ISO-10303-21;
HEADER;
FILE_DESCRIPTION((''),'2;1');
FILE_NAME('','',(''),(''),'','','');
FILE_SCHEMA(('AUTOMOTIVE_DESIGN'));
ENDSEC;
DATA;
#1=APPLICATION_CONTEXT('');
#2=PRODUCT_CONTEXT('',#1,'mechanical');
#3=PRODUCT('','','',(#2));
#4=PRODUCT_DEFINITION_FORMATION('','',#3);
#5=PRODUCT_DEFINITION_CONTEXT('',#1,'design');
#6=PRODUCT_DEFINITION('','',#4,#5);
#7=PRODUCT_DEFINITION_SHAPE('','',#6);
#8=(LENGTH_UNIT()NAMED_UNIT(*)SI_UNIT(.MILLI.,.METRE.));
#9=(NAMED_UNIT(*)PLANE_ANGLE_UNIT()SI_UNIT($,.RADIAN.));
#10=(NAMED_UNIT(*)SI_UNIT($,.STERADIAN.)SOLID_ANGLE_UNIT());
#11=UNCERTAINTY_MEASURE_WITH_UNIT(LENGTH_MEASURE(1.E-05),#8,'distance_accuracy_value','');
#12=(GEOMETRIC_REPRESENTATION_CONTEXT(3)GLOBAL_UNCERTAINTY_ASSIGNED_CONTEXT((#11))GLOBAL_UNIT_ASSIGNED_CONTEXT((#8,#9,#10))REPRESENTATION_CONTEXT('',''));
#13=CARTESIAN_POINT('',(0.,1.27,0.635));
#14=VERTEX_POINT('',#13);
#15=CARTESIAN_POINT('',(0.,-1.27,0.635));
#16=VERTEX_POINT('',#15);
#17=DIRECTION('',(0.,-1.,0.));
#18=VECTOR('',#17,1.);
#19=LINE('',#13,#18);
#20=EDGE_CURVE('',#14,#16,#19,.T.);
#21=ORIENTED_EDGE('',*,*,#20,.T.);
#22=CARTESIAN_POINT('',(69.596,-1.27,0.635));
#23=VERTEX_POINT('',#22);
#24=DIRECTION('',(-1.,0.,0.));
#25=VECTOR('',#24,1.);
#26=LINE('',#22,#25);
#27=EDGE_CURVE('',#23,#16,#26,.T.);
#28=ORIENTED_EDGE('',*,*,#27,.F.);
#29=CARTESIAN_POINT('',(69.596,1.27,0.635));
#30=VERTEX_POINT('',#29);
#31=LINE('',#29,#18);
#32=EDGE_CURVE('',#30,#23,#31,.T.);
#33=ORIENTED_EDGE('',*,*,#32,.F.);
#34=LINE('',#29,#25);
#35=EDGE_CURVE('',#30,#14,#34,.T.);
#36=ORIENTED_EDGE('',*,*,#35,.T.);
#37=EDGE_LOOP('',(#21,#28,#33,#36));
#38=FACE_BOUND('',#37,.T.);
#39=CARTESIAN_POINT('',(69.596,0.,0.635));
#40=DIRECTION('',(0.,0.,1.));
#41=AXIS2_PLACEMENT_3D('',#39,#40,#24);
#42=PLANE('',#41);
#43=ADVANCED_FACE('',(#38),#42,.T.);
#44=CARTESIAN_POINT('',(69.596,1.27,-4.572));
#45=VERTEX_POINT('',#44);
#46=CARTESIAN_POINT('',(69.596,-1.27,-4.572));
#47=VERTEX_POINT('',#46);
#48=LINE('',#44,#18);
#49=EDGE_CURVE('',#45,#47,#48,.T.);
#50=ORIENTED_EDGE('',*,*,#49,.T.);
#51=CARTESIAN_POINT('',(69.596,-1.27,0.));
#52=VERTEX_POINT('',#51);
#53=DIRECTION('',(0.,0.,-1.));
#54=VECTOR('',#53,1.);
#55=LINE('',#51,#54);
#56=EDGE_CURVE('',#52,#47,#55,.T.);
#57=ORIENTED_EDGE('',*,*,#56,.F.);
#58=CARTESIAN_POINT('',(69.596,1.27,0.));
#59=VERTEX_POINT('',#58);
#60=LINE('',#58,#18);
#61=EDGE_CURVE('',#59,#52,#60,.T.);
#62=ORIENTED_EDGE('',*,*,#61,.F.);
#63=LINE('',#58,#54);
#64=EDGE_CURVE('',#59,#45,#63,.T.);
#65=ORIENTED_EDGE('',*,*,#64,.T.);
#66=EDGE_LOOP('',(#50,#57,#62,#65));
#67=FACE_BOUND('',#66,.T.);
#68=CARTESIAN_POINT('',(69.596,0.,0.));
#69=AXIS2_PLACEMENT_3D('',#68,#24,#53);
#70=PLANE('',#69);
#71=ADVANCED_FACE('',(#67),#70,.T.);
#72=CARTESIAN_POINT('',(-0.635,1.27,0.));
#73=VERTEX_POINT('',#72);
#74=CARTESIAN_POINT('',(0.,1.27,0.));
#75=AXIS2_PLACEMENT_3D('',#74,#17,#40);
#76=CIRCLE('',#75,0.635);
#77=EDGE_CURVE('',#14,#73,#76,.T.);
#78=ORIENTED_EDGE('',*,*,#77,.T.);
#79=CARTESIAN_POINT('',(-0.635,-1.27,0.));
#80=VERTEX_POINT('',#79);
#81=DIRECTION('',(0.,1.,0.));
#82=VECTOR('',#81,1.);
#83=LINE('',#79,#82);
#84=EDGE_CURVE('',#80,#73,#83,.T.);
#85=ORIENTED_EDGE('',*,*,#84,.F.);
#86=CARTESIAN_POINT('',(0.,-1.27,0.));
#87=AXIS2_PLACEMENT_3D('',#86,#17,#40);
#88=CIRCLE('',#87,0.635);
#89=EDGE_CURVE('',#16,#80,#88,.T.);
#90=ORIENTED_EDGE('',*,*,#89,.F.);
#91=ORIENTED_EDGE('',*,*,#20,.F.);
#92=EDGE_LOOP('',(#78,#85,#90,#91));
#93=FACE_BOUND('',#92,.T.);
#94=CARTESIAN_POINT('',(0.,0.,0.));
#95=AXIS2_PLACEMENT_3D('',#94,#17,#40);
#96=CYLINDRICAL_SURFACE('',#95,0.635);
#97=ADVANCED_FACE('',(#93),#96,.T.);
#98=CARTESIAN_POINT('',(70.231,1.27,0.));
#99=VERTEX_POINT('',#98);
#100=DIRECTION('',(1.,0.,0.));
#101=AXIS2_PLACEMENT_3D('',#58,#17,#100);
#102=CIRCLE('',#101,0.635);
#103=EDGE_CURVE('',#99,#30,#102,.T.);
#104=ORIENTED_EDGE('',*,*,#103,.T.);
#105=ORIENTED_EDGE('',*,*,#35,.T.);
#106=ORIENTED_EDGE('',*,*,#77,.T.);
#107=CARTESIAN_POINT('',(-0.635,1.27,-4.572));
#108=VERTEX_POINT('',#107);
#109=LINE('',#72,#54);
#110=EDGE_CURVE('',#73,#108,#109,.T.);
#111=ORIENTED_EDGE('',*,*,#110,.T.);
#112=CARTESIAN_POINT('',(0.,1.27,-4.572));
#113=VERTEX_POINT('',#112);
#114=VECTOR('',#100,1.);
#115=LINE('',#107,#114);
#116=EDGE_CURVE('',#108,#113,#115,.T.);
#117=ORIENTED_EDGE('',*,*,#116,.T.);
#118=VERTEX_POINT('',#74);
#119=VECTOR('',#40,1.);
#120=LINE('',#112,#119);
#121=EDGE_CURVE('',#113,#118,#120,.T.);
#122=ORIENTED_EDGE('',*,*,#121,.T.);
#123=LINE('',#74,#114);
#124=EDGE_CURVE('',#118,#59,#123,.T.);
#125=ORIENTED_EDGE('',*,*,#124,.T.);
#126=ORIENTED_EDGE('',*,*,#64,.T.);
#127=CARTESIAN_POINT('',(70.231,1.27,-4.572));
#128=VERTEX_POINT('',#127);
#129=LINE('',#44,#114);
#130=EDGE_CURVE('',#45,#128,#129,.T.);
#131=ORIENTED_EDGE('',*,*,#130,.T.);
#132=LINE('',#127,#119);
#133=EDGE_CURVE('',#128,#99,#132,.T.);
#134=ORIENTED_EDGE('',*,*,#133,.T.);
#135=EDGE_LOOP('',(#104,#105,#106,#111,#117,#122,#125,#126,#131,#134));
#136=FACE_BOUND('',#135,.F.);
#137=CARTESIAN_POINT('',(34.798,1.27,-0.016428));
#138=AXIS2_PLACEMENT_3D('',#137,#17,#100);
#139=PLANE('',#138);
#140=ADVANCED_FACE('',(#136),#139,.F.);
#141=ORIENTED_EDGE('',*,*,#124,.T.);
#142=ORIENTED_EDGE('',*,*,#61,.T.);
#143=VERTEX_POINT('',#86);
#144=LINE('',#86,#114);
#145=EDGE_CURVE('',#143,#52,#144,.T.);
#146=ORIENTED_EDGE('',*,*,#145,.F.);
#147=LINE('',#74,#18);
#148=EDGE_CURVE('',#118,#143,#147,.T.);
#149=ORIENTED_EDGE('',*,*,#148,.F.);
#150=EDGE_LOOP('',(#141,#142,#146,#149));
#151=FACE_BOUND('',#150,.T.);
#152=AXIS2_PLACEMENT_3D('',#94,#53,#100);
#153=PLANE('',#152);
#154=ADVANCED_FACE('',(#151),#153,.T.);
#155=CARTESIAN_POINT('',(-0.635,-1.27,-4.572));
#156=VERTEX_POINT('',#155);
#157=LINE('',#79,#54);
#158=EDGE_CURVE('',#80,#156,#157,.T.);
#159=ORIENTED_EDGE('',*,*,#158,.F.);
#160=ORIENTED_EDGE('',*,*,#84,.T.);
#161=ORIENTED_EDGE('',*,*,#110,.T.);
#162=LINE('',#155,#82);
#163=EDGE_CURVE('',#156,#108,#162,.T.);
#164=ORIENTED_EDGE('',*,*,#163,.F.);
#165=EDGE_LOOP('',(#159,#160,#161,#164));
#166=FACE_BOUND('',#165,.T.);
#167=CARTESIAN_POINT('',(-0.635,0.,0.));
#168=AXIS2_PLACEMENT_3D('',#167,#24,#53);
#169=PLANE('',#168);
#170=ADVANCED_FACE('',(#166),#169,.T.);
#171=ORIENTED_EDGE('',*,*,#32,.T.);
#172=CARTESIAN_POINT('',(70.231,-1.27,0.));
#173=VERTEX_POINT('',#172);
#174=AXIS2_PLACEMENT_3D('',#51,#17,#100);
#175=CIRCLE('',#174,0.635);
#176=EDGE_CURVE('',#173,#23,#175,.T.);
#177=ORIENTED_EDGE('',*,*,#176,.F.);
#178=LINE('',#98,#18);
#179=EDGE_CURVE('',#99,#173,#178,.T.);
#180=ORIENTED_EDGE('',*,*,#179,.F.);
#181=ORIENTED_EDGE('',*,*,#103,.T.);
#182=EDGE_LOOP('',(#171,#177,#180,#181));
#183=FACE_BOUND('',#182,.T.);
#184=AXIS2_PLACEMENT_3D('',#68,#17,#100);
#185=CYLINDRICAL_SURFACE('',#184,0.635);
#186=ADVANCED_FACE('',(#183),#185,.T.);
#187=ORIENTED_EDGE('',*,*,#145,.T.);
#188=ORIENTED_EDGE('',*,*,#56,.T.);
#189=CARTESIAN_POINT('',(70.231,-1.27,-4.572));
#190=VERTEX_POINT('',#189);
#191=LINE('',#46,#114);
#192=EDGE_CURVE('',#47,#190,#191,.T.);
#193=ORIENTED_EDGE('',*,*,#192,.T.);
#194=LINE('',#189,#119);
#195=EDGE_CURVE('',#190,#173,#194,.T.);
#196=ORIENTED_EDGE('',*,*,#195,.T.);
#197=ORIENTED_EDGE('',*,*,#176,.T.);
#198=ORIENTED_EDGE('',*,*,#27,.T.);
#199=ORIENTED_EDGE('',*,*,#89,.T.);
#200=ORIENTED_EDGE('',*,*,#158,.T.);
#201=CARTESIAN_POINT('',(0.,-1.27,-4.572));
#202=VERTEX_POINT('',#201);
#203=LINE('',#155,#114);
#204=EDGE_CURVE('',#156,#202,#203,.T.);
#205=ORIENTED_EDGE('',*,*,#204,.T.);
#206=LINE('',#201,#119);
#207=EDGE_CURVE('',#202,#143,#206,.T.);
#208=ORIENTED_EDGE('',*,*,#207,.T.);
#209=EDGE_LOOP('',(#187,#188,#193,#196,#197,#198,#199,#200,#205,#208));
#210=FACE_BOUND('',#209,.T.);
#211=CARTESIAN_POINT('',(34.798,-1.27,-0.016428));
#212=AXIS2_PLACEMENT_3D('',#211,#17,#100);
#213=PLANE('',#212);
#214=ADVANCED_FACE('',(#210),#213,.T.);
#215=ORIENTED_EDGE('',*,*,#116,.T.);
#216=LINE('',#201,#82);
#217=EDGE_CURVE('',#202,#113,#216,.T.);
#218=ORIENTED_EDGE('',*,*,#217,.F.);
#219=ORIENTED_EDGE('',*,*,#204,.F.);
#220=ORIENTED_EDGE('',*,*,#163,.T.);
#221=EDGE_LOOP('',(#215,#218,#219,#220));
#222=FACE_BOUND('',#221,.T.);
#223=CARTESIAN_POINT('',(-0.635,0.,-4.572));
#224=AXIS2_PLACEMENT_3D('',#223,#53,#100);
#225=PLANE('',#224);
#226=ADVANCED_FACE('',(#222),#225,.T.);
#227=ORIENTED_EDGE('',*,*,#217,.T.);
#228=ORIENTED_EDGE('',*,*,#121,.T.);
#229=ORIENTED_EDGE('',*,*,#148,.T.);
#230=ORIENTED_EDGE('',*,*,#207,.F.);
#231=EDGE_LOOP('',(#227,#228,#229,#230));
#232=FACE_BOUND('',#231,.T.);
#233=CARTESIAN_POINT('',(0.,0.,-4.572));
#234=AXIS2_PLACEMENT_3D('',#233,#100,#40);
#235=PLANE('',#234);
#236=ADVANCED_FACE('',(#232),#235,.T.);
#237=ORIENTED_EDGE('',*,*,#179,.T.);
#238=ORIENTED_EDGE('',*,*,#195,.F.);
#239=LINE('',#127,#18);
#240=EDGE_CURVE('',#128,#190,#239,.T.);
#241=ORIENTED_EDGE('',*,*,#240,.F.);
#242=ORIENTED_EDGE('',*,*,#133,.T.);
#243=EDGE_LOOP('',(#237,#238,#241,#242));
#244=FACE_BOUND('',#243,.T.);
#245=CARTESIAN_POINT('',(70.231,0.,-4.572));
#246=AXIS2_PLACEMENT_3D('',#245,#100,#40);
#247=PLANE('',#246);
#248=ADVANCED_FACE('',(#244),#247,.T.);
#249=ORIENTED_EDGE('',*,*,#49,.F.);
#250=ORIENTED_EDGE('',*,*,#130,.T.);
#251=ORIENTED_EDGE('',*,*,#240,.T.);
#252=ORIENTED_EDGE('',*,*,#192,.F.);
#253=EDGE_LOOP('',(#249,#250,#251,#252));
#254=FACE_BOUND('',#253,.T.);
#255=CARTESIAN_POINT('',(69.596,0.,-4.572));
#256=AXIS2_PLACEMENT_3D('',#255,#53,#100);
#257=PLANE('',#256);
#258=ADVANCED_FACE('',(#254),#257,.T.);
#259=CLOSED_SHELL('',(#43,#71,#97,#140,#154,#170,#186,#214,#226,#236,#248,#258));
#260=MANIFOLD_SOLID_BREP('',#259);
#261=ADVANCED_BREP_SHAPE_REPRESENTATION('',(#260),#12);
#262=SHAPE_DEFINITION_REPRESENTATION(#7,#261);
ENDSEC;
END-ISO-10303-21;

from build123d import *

# Parameters (mm, degrees)
F1_DEPTH = 1.27


with BuildPart() as f1:
    # F0 (on Front) → F1 (new body, symmetric)
    with BuildSketch(Plane.XZ):
        with BuildLine():
            Line((0, -4.572), (0, 0))
            Line((0, 0), (69.596, 0))
            Line((69.596, 0), (69.596, -4.572))
            Line((69.596, -4.572), (70.231, -4.572))
            Line((70.231, -4.572), (70.231, 0))
            ThreePointArc((70.231, 0), (70.0450128061, 0.4490128061), (69.596, 0.635))
            Line((69.596, 0.635), (0, 0.635))
            ThreePointArc((0, 0.635), (-0.4490128061, 0.4490128061), (-0.635, 0))
            Line((-0.635, 0), (-0.635, -4.572))
            Line((-0.635, -4.572), (0, -4.572))
        make_face()
    extrude(amount=F1_DEPTH, both=True)


solid = f1.part
